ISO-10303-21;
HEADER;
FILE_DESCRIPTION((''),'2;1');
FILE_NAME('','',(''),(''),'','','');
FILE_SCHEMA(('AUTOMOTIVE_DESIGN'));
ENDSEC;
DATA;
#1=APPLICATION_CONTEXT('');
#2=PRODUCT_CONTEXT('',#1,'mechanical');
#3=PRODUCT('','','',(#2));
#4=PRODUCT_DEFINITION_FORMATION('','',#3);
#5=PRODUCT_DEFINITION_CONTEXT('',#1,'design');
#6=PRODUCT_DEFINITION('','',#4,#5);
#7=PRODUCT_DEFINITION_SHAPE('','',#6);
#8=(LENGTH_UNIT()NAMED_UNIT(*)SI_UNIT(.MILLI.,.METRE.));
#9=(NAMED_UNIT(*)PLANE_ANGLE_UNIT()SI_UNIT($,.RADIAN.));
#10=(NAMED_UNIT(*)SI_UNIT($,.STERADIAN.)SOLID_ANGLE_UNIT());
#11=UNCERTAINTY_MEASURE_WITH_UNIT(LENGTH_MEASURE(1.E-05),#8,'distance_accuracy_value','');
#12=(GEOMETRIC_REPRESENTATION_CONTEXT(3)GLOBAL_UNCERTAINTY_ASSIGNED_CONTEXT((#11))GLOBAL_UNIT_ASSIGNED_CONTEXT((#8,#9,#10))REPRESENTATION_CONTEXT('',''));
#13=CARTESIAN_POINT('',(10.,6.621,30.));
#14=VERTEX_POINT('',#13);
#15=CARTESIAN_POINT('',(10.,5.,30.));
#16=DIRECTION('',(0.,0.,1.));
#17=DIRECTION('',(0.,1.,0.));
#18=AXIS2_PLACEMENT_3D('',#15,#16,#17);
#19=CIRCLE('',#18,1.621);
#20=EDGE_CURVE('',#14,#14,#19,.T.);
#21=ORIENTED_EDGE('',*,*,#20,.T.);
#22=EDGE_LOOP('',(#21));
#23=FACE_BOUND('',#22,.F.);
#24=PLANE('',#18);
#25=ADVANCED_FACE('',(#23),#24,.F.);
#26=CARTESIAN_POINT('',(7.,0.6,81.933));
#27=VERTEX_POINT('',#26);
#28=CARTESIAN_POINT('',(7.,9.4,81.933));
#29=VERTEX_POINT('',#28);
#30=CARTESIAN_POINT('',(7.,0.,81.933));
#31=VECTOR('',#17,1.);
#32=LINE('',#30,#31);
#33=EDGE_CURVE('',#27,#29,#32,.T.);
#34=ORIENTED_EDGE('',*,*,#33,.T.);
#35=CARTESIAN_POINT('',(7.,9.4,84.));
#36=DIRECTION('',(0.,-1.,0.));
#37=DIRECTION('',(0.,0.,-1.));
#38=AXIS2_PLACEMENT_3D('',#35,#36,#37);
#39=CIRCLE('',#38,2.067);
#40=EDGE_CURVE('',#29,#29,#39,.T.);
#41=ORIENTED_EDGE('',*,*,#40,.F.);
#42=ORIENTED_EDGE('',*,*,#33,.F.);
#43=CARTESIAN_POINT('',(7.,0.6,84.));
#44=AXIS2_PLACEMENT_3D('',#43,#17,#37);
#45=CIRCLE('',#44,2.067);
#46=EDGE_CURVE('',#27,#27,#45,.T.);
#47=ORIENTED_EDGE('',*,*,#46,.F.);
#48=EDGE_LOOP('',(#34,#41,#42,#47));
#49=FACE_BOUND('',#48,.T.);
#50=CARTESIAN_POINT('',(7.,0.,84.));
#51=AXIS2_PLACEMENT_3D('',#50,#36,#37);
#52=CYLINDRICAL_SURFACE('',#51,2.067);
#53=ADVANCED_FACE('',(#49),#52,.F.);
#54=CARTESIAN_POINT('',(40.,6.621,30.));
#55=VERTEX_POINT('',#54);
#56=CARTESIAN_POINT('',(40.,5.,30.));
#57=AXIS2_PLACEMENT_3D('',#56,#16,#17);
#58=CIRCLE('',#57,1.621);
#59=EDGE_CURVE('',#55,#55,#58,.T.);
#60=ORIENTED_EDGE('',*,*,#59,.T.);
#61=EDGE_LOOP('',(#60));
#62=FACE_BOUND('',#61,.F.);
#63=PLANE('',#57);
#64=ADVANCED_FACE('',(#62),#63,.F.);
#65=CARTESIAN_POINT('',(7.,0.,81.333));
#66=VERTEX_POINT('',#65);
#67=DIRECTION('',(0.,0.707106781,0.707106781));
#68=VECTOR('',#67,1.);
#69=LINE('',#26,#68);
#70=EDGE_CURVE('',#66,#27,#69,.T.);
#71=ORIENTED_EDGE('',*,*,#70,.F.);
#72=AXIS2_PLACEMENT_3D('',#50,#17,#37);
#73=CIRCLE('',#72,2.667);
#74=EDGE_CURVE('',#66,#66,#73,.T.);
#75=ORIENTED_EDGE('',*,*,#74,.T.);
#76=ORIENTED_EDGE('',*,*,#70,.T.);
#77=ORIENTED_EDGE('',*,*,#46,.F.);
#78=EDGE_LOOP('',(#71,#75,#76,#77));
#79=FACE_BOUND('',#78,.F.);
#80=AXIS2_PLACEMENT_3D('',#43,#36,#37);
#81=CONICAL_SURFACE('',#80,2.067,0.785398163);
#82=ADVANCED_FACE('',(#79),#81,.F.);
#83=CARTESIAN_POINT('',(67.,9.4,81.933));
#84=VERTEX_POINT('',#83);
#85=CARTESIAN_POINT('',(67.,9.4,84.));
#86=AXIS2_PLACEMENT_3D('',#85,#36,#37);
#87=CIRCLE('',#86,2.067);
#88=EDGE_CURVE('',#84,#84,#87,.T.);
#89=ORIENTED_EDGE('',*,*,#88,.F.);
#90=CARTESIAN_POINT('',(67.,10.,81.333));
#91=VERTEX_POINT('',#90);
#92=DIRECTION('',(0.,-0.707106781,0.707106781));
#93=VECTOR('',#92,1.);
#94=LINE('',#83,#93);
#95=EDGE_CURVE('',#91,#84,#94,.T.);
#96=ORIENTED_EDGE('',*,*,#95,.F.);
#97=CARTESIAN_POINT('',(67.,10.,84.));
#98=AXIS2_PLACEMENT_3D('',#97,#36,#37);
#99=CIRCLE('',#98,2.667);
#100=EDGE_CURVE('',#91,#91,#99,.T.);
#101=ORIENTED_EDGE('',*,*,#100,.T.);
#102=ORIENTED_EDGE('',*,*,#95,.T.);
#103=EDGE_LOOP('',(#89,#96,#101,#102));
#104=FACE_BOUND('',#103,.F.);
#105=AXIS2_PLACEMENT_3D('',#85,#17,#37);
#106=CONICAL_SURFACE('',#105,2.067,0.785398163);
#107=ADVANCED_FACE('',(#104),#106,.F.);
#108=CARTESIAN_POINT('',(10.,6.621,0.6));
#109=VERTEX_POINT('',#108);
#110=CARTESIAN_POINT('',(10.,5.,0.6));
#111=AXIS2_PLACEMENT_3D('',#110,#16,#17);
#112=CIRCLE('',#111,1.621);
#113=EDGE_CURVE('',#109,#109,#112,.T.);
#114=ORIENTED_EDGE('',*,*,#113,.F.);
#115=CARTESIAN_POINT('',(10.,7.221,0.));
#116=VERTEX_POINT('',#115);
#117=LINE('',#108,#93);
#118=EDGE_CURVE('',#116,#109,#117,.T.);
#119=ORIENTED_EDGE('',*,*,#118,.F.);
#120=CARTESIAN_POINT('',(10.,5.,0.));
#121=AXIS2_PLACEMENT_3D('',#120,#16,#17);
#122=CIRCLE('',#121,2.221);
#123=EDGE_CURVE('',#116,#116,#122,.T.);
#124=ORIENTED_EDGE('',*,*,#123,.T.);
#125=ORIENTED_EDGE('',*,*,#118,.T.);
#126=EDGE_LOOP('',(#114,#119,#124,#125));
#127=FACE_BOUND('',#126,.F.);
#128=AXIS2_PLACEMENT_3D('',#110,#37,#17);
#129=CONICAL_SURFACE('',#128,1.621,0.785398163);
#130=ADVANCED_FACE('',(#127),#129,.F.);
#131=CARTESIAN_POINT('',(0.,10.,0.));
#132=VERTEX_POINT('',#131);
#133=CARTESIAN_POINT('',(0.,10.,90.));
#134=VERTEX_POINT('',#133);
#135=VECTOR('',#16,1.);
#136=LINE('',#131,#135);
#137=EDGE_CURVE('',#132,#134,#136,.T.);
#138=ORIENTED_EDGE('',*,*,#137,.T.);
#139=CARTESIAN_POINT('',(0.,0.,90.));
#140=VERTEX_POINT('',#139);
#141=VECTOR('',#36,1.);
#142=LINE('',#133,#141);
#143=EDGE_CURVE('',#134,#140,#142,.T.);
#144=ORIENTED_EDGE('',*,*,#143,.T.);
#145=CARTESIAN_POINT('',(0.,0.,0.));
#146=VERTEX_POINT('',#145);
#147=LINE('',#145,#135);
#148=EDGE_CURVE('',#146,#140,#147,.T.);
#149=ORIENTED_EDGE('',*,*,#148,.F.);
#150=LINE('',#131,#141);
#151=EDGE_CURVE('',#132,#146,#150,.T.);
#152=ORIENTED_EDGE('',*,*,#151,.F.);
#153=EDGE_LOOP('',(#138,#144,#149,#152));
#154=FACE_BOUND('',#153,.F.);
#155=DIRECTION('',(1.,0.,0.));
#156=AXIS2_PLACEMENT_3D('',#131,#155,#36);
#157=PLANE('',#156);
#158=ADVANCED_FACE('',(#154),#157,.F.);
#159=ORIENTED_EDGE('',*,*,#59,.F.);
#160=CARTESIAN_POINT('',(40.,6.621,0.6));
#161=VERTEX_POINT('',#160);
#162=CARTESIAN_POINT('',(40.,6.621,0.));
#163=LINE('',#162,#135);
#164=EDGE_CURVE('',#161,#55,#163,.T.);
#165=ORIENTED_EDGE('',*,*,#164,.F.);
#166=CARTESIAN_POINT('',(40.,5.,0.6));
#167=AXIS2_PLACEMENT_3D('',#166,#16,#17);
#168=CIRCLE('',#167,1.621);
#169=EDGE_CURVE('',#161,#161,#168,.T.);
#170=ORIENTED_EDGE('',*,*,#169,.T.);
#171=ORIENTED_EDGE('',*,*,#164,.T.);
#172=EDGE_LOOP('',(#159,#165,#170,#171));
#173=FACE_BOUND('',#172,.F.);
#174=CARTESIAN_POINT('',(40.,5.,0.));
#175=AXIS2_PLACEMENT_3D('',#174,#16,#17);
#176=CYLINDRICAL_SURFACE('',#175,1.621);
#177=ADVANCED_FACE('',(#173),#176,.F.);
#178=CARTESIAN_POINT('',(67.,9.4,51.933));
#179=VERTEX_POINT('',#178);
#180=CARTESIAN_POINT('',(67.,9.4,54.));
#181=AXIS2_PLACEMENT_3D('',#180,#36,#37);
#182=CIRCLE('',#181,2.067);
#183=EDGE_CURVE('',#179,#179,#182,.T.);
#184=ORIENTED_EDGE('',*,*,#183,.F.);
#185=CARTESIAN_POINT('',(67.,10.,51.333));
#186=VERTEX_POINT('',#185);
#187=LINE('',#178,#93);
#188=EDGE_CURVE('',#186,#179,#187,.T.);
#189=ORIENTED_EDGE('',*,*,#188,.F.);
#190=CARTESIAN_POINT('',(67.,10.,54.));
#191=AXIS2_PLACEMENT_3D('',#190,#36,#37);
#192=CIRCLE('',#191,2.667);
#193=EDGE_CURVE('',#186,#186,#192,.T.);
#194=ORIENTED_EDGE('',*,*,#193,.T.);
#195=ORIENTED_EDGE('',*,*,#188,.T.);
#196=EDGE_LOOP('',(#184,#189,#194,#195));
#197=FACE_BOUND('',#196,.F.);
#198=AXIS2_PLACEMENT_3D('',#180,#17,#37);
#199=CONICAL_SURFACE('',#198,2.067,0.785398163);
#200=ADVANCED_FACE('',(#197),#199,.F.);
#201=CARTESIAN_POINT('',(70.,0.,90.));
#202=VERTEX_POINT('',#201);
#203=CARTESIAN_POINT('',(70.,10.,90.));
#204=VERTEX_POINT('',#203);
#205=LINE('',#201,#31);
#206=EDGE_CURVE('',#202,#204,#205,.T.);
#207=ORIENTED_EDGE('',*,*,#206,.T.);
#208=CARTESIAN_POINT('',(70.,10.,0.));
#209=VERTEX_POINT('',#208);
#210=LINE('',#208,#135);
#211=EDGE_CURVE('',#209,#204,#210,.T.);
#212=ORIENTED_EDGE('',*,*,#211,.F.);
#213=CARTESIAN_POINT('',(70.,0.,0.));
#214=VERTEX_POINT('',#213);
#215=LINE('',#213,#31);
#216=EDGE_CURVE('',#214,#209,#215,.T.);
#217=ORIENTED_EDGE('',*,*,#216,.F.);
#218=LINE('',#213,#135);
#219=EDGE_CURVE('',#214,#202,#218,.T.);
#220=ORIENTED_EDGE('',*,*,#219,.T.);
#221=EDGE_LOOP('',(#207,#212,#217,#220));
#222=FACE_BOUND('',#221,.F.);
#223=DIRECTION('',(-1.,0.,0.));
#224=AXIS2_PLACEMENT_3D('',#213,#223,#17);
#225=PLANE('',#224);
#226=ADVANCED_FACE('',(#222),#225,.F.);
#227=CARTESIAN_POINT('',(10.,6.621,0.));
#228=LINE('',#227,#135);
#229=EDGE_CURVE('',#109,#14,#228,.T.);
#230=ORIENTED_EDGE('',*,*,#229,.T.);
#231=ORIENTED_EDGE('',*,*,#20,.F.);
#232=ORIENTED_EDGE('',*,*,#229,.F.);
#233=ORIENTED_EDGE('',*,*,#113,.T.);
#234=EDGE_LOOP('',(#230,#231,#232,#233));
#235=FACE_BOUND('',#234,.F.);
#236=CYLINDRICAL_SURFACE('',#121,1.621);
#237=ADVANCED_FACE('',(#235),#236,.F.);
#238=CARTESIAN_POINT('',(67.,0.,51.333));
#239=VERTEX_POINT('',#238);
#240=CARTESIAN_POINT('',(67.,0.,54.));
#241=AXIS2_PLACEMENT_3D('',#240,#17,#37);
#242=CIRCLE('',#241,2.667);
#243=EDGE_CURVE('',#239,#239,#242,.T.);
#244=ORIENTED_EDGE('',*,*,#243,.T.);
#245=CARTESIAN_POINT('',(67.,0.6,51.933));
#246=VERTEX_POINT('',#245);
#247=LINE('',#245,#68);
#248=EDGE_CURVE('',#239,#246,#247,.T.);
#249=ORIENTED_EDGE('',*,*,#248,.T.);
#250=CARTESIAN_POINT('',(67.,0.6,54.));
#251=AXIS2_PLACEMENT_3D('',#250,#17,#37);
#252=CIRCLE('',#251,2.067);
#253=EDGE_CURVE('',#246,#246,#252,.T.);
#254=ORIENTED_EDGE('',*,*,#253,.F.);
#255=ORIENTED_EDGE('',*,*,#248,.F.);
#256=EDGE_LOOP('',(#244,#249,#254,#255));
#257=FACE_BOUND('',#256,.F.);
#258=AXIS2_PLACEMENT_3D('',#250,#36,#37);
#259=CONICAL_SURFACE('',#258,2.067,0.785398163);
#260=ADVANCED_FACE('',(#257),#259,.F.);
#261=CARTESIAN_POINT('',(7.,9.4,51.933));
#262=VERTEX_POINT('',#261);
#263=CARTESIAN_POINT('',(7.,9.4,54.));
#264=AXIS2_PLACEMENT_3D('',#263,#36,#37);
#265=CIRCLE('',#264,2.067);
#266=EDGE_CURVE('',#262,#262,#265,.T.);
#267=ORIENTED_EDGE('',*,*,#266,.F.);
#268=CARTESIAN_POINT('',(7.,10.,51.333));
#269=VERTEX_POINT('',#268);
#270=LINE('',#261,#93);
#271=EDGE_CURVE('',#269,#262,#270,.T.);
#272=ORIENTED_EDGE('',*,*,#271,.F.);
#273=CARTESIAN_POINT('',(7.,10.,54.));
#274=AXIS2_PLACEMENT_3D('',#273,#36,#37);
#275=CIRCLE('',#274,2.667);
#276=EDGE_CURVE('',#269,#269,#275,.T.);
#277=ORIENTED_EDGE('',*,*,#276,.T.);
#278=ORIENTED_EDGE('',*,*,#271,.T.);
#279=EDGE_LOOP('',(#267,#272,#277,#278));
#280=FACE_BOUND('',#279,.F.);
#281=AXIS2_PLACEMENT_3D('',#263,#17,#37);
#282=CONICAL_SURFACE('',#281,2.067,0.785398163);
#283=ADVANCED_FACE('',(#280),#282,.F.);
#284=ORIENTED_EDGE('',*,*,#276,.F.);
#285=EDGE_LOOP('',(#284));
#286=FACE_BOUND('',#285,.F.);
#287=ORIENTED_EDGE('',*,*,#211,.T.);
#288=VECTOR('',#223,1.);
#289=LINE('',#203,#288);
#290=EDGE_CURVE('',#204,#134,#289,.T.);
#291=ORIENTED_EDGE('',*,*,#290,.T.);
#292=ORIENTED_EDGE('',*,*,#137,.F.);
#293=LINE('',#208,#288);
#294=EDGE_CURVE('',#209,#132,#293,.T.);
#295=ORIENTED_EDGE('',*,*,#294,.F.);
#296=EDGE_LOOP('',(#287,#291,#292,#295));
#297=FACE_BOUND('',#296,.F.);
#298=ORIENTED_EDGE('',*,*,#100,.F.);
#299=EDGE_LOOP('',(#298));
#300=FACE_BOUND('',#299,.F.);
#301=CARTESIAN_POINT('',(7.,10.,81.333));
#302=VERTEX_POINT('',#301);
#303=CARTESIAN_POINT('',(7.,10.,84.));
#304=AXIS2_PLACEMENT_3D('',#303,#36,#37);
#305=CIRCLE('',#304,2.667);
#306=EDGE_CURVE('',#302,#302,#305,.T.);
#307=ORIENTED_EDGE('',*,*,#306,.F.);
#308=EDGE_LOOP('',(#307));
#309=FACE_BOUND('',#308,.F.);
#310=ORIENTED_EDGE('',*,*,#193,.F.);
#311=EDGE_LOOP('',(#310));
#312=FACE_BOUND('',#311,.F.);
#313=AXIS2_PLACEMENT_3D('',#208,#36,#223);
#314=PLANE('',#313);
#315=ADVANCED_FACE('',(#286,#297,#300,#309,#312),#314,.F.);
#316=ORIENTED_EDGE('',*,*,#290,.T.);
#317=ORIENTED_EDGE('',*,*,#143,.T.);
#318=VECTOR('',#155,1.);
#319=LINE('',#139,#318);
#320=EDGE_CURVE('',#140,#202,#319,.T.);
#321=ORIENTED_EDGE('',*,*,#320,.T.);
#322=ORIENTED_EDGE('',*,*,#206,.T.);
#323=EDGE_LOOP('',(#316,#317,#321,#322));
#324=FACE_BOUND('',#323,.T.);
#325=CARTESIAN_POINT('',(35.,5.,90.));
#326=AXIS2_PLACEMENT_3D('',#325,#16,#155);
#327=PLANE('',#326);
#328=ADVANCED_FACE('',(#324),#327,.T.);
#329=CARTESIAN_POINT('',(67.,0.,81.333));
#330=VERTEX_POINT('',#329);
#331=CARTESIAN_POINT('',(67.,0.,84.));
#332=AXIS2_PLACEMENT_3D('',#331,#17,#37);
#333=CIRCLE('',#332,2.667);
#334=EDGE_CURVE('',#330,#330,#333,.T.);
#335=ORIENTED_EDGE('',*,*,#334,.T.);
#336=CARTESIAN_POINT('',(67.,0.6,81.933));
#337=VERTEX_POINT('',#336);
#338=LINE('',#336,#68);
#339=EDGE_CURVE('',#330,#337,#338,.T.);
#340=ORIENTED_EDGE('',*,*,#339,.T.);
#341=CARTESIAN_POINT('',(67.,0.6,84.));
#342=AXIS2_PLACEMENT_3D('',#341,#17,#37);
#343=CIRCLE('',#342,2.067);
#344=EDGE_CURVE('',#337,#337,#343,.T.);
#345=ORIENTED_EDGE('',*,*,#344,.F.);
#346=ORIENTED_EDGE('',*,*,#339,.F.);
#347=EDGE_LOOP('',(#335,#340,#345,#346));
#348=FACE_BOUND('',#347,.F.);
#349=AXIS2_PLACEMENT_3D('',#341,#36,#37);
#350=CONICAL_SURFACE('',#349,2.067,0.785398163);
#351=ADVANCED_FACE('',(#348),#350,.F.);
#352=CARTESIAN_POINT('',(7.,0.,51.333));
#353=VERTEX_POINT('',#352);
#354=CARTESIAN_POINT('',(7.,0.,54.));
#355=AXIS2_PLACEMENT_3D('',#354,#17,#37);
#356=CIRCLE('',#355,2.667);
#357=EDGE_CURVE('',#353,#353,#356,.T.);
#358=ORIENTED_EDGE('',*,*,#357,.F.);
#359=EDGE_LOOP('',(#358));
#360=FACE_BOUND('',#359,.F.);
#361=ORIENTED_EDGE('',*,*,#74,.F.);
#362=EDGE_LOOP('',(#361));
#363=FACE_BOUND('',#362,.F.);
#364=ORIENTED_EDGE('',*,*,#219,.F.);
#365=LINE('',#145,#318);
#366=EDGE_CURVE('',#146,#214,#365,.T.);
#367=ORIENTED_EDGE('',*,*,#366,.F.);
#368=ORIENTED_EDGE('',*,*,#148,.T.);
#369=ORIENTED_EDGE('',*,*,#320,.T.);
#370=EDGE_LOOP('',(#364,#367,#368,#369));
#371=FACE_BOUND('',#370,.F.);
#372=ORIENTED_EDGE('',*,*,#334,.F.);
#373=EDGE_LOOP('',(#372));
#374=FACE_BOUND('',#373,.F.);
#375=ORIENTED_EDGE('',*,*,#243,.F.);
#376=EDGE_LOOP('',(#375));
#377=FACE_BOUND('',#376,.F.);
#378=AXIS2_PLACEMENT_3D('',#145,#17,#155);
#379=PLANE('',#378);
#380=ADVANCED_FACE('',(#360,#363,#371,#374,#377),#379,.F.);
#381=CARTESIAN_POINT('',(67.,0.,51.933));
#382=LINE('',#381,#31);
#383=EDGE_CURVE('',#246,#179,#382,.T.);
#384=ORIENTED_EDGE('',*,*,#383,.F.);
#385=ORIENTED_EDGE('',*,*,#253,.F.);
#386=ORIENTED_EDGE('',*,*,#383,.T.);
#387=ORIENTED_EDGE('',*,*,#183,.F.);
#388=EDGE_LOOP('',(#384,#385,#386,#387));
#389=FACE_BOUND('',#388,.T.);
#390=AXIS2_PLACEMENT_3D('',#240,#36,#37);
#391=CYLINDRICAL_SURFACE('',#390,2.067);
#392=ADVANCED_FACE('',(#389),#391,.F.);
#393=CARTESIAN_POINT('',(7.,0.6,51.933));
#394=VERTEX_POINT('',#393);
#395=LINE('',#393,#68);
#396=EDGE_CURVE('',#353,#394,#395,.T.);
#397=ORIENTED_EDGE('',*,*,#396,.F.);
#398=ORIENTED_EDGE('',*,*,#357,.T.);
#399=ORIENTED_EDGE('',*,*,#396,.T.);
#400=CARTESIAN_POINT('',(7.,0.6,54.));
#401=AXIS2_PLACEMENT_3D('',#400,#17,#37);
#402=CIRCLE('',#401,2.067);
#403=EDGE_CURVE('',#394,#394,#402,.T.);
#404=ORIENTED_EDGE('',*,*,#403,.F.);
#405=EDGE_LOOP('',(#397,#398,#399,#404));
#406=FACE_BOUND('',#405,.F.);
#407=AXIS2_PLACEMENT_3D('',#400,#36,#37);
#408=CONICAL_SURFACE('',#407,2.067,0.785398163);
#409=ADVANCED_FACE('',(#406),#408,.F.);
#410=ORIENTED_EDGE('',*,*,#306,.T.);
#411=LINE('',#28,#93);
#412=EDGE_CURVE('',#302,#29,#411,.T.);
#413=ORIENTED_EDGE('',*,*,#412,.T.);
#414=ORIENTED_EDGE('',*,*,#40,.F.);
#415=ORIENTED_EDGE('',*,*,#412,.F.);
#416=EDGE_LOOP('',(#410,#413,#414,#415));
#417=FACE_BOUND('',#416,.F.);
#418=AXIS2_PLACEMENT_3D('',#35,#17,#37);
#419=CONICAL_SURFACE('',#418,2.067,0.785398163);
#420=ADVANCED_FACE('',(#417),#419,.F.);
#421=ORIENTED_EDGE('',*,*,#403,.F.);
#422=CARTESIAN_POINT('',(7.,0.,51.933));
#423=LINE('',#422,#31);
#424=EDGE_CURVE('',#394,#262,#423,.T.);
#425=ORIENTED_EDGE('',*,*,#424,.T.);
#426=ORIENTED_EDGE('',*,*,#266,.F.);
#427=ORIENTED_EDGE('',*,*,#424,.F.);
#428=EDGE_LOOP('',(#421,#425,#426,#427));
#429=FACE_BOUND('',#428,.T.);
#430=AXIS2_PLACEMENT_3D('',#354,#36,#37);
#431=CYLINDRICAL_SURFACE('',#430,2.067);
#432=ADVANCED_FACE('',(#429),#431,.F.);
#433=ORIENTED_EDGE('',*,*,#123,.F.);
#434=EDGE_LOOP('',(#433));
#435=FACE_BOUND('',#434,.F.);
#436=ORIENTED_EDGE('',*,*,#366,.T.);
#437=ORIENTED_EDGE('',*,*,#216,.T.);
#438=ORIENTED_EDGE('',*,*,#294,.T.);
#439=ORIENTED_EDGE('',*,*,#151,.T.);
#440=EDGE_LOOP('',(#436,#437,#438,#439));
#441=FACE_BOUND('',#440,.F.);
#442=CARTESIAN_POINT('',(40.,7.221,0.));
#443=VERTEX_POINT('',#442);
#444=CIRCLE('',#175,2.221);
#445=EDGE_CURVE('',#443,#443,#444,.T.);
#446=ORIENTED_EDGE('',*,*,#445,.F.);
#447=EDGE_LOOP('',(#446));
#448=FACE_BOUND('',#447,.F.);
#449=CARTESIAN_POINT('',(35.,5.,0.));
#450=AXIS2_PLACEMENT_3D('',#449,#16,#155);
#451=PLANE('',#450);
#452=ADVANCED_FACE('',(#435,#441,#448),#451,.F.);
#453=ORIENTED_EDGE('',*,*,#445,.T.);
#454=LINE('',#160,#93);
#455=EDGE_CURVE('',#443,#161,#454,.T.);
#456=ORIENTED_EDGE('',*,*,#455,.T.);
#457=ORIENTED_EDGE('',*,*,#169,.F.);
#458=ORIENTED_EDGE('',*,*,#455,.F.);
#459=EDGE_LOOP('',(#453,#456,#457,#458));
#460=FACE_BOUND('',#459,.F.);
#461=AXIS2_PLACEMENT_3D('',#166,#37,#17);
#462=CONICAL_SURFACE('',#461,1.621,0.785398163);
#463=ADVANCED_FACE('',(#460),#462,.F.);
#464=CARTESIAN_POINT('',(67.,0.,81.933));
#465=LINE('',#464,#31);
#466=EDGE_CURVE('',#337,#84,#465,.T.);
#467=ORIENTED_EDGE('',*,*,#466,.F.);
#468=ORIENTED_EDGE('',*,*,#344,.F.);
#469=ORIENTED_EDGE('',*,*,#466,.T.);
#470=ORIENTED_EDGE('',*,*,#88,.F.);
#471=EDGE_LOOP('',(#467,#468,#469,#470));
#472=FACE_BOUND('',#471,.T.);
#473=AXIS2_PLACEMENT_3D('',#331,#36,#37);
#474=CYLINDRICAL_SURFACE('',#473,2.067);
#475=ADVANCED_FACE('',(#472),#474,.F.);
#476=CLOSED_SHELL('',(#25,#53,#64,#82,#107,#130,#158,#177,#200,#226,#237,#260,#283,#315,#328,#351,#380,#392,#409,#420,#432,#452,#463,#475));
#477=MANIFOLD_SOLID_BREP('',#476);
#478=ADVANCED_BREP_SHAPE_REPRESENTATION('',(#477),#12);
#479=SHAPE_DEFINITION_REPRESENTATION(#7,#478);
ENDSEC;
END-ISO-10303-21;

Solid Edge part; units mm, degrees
sketch "Sketch1" plane through (0, 0, 0) normal (0, 0, 1) x (1, 0, 0)
  line L0 (70, 10) -> (0, 10)
  line L1 (0, 10) -> (0, 0)
  line L2 (0, 0) -> (70, 0)
  line L3 (70, 0) -> (70, 10)
extrude "Protrusion1" add sketch "Sketch1" along normal blind 90
hole "Hole_1" at (7, 0, 54) direction (0, 1, 0) diameter 4.134 end up to next start chamfer 0.6 start chamfer angle 45 end chamfer 0.6 end chamfer angle 45 thread major 5 thread length 2
hole "Hole1" at (67, 0, 54) direction (0, 1, 0) diameter 4.134 end up to next start chamfer 0.6 start chamfer angle 45 end chamfer 0.6 end chamfer angle 45 thread major 5 thread length 2
hole "Hole2" at (67, 0, 84) direction (0, 1, 0) diameter 4.134 end up to next start chamfer 0.6 start chamfer angle 45 end chamfer 0.6 end chamfer angle 45 thread major 5 thread length 2
hole "Hole3" at (7, 0, 84) direction (0, 1, 0) diameter 4.134 end up to next start chamfer 0.6 start chamfer angle 45 end chamfer 0.6 end chamfer angle 45 thread major 5 thread length 2
hole "Hole_5" at (10, 5, 0) direction (0, 0, 1) diameter 3.242 depth 30 start chamfer 0.6 start chamfer angle 45 thread major 4 thread length 2
hole "Hole4" at (40, 5, 0) direction (0, 0, 1) diameter 3.242 depth 30 start chamfer 0.6 start chamfer angle 45 thread major 4 thread length 2
